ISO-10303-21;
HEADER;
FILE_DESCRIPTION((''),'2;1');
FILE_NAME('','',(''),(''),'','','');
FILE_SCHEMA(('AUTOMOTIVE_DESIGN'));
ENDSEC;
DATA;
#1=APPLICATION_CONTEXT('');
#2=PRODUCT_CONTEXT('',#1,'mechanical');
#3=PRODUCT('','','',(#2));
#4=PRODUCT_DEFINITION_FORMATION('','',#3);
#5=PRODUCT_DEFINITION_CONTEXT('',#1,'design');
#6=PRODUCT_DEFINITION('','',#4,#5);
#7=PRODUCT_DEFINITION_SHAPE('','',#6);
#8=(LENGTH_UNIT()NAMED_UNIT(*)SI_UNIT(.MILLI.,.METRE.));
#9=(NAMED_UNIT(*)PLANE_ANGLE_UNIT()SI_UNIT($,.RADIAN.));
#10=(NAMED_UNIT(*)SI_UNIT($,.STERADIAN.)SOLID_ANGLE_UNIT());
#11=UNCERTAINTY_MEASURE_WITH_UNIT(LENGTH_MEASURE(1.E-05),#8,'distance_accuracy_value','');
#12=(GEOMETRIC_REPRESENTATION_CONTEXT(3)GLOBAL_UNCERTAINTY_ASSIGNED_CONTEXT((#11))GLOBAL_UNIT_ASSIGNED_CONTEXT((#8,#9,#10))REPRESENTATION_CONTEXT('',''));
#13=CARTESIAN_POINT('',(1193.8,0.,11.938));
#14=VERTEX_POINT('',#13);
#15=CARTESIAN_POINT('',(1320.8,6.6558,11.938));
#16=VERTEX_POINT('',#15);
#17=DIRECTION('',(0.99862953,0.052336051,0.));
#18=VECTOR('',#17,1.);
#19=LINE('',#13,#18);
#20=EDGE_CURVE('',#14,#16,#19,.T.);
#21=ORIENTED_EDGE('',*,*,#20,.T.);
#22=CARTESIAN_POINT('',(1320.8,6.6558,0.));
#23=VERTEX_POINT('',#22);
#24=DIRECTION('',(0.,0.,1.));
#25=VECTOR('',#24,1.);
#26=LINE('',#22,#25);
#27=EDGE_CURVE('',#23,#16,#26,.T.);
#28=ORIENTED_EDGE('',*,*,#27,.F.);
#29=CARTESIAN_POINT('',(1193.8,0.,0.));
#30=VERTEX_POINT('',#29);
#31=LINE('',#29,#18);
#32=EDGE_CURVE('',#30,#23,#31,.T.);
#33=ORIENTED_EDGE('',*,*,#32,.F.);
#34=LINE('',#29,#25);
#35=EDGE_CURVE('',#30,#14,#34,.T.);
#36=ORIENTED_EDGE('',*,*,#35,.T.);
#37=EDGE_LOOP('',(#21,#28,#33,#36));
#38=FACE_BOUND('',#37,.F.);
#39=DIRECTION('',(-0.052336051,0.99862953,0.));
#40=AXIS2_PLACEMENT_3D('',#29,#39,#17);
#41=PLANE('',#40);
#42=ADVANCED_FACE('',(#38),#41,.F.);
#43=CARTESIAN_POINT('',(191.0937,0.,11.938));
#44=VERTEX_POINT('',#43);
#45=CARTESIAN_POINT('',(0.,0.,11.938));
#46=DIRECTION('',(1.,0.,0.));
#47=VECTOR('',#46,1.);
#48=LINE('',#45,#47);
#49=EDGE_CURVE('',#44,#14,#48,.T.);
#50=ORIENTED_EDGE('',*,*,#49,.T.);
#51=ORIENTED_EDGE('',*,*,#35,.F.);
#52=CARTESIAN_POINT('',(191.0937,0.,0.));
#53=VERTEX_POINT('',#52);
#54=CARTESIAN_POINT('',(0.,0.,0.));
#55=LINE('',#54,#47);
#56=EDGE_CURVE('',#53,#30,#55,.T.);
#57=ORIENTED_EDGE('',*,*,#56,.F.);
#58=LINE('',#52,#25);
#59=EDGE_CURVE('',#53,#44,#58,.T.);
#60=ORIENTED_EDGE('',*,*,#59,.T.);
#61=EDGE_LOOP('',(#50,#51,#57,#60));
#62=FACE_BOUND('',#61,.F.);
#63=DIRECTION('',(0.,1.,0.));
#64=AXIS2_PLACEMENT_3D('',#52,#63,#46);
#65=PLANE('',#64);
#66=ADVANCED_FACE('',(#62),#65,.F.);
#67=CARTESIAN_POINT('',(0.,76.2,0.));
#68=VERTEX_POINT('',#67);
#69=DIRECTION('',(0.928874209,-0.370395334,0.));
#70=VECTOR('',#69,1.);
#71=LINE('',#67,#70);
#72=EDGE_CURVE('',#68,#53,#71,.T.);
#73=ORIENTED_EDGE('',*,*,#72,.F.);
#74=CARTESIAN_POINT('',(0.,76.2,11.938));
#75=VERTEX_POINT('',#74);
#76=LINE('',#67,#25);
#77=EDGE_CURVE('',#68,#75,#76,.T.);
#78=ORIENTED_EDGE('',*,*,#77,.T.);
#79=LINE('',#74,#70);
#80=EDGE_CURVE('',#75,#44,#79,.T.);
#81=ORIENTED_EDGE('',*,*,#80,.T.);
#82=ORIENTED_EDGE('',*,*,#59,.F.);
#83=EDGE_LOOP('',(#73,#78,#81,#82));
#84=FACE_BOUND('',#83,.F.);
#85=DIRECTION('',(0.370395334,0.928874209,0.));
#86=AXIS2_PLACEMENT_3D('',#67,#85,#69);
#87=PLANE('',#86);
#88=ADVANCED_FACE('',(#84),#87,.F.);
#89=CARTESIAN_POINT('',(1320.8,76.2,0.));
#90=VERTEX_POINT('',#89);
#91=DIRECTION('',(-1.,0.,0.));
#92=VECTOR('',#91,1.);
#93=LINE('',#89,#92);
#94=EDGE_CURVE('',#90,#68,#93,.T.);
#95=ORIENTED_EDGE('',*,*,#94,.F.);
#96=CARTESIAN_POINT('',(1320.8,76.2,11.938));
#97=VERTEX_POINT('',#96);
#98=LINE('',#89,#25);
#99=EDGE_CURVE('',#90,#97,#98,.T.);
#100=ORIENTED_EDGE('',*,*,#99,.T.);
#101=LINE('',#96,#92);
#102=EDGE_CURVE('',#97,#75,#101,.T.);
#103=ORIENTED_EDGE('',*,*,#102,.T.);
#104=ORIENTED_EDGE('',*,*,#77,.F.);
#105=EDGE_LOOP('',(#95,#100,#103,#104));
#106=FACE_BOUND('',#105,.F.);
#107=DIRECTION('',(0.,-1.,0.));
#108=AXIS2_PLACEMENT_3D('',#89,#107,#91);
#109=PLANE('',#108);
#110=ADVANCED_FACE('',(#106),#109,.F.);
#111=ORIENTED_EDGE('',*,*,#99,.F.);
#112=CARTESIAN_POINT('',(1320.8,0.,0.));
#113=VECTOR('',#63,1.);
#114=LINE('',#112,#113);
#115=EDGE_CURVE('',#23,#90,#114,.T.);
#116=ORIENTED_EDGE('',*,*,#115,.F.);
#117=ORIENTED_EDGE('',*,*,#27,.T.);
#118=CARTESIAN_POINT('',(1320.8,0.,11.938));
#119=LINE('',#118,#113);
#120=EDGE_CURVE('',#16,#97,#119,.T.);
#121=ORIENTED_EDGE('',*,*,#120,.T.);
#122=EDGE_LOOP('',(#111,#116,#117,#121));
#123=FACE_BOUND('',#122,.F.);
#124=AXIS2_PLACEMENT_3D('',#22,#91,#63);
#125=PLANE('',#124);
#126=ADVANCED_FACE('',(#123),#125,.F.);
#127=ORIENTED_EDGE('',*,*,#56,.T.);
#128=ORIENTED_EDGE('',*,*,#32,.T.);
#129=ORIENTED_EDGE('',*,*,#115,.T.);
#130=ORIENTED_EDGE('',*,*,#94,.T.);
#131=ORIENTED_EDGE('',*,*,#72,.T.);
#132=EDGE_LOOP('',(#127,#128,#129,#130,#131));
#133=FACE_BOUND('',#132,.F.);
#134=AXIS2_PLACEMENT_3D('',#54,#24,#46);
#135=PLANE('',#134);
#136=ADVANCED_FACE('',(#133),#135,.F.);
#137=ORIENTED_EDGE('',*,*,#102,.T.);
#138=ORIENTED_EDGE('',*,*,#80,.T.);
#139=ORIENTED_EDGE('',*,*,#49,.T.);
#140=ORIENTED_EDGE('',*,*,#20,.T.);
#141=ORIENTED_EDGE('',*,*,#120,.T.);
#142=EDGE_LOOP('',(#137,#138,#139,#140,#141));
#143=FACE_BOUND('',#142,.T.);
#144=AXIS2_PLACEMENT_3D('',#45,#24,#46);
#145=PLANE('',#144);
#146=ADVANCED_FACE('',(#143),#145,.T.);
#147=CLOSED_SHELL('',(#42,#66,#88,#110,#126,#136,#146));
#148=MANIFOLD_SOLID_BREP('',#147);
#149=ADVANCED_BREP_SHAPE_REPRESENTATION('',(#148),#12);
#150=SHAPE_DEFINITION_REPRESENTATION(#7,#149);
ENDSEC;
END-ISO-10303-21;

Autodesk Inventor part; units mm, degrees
ref_plane "YZ Plane" through (0, 0, 0) normal (1, 0, 0) x (0, 1, 0)
ref_plane "XZ Plane" through (0, 0, 0) normal (0, 1, 0) x (-1, 0, 0)
ref_plane "XY Plane" through (0, 0, 0) normal (0, 0, 1) x (1, 0, 0)
sketch "Sketch1" plane through (0, 0, 0) normal (0, 0, 1) x (1, 0, 0)
  line L0 (0, 0) -> (1320.8, 0)
  line L1 (1320.8, 0) -> (1320.8, 76.2)
  line L2 (1320.8, 76.2) -> (0, 76.2)
  line L3 (0, 76.2) -> (0, 0)
  line L4 (1193.8, 0) -> (1320.8, 6.6558)
  line L5 (0, 76.2) -> (191.0937, 0)
  dimension "d0" = 76.2
  dimension "d1" = 1320.8
  dimension "d2" = 3
  dimension "d3" = 127
  dimension "d5" = 21.74
extrude "Extrusion1" add sketch "Sketch1" along normal blind 11.938 contours L5 L2 L1 L4 L0
properties part number "Antitorque span" material "Wood (Oak)"
